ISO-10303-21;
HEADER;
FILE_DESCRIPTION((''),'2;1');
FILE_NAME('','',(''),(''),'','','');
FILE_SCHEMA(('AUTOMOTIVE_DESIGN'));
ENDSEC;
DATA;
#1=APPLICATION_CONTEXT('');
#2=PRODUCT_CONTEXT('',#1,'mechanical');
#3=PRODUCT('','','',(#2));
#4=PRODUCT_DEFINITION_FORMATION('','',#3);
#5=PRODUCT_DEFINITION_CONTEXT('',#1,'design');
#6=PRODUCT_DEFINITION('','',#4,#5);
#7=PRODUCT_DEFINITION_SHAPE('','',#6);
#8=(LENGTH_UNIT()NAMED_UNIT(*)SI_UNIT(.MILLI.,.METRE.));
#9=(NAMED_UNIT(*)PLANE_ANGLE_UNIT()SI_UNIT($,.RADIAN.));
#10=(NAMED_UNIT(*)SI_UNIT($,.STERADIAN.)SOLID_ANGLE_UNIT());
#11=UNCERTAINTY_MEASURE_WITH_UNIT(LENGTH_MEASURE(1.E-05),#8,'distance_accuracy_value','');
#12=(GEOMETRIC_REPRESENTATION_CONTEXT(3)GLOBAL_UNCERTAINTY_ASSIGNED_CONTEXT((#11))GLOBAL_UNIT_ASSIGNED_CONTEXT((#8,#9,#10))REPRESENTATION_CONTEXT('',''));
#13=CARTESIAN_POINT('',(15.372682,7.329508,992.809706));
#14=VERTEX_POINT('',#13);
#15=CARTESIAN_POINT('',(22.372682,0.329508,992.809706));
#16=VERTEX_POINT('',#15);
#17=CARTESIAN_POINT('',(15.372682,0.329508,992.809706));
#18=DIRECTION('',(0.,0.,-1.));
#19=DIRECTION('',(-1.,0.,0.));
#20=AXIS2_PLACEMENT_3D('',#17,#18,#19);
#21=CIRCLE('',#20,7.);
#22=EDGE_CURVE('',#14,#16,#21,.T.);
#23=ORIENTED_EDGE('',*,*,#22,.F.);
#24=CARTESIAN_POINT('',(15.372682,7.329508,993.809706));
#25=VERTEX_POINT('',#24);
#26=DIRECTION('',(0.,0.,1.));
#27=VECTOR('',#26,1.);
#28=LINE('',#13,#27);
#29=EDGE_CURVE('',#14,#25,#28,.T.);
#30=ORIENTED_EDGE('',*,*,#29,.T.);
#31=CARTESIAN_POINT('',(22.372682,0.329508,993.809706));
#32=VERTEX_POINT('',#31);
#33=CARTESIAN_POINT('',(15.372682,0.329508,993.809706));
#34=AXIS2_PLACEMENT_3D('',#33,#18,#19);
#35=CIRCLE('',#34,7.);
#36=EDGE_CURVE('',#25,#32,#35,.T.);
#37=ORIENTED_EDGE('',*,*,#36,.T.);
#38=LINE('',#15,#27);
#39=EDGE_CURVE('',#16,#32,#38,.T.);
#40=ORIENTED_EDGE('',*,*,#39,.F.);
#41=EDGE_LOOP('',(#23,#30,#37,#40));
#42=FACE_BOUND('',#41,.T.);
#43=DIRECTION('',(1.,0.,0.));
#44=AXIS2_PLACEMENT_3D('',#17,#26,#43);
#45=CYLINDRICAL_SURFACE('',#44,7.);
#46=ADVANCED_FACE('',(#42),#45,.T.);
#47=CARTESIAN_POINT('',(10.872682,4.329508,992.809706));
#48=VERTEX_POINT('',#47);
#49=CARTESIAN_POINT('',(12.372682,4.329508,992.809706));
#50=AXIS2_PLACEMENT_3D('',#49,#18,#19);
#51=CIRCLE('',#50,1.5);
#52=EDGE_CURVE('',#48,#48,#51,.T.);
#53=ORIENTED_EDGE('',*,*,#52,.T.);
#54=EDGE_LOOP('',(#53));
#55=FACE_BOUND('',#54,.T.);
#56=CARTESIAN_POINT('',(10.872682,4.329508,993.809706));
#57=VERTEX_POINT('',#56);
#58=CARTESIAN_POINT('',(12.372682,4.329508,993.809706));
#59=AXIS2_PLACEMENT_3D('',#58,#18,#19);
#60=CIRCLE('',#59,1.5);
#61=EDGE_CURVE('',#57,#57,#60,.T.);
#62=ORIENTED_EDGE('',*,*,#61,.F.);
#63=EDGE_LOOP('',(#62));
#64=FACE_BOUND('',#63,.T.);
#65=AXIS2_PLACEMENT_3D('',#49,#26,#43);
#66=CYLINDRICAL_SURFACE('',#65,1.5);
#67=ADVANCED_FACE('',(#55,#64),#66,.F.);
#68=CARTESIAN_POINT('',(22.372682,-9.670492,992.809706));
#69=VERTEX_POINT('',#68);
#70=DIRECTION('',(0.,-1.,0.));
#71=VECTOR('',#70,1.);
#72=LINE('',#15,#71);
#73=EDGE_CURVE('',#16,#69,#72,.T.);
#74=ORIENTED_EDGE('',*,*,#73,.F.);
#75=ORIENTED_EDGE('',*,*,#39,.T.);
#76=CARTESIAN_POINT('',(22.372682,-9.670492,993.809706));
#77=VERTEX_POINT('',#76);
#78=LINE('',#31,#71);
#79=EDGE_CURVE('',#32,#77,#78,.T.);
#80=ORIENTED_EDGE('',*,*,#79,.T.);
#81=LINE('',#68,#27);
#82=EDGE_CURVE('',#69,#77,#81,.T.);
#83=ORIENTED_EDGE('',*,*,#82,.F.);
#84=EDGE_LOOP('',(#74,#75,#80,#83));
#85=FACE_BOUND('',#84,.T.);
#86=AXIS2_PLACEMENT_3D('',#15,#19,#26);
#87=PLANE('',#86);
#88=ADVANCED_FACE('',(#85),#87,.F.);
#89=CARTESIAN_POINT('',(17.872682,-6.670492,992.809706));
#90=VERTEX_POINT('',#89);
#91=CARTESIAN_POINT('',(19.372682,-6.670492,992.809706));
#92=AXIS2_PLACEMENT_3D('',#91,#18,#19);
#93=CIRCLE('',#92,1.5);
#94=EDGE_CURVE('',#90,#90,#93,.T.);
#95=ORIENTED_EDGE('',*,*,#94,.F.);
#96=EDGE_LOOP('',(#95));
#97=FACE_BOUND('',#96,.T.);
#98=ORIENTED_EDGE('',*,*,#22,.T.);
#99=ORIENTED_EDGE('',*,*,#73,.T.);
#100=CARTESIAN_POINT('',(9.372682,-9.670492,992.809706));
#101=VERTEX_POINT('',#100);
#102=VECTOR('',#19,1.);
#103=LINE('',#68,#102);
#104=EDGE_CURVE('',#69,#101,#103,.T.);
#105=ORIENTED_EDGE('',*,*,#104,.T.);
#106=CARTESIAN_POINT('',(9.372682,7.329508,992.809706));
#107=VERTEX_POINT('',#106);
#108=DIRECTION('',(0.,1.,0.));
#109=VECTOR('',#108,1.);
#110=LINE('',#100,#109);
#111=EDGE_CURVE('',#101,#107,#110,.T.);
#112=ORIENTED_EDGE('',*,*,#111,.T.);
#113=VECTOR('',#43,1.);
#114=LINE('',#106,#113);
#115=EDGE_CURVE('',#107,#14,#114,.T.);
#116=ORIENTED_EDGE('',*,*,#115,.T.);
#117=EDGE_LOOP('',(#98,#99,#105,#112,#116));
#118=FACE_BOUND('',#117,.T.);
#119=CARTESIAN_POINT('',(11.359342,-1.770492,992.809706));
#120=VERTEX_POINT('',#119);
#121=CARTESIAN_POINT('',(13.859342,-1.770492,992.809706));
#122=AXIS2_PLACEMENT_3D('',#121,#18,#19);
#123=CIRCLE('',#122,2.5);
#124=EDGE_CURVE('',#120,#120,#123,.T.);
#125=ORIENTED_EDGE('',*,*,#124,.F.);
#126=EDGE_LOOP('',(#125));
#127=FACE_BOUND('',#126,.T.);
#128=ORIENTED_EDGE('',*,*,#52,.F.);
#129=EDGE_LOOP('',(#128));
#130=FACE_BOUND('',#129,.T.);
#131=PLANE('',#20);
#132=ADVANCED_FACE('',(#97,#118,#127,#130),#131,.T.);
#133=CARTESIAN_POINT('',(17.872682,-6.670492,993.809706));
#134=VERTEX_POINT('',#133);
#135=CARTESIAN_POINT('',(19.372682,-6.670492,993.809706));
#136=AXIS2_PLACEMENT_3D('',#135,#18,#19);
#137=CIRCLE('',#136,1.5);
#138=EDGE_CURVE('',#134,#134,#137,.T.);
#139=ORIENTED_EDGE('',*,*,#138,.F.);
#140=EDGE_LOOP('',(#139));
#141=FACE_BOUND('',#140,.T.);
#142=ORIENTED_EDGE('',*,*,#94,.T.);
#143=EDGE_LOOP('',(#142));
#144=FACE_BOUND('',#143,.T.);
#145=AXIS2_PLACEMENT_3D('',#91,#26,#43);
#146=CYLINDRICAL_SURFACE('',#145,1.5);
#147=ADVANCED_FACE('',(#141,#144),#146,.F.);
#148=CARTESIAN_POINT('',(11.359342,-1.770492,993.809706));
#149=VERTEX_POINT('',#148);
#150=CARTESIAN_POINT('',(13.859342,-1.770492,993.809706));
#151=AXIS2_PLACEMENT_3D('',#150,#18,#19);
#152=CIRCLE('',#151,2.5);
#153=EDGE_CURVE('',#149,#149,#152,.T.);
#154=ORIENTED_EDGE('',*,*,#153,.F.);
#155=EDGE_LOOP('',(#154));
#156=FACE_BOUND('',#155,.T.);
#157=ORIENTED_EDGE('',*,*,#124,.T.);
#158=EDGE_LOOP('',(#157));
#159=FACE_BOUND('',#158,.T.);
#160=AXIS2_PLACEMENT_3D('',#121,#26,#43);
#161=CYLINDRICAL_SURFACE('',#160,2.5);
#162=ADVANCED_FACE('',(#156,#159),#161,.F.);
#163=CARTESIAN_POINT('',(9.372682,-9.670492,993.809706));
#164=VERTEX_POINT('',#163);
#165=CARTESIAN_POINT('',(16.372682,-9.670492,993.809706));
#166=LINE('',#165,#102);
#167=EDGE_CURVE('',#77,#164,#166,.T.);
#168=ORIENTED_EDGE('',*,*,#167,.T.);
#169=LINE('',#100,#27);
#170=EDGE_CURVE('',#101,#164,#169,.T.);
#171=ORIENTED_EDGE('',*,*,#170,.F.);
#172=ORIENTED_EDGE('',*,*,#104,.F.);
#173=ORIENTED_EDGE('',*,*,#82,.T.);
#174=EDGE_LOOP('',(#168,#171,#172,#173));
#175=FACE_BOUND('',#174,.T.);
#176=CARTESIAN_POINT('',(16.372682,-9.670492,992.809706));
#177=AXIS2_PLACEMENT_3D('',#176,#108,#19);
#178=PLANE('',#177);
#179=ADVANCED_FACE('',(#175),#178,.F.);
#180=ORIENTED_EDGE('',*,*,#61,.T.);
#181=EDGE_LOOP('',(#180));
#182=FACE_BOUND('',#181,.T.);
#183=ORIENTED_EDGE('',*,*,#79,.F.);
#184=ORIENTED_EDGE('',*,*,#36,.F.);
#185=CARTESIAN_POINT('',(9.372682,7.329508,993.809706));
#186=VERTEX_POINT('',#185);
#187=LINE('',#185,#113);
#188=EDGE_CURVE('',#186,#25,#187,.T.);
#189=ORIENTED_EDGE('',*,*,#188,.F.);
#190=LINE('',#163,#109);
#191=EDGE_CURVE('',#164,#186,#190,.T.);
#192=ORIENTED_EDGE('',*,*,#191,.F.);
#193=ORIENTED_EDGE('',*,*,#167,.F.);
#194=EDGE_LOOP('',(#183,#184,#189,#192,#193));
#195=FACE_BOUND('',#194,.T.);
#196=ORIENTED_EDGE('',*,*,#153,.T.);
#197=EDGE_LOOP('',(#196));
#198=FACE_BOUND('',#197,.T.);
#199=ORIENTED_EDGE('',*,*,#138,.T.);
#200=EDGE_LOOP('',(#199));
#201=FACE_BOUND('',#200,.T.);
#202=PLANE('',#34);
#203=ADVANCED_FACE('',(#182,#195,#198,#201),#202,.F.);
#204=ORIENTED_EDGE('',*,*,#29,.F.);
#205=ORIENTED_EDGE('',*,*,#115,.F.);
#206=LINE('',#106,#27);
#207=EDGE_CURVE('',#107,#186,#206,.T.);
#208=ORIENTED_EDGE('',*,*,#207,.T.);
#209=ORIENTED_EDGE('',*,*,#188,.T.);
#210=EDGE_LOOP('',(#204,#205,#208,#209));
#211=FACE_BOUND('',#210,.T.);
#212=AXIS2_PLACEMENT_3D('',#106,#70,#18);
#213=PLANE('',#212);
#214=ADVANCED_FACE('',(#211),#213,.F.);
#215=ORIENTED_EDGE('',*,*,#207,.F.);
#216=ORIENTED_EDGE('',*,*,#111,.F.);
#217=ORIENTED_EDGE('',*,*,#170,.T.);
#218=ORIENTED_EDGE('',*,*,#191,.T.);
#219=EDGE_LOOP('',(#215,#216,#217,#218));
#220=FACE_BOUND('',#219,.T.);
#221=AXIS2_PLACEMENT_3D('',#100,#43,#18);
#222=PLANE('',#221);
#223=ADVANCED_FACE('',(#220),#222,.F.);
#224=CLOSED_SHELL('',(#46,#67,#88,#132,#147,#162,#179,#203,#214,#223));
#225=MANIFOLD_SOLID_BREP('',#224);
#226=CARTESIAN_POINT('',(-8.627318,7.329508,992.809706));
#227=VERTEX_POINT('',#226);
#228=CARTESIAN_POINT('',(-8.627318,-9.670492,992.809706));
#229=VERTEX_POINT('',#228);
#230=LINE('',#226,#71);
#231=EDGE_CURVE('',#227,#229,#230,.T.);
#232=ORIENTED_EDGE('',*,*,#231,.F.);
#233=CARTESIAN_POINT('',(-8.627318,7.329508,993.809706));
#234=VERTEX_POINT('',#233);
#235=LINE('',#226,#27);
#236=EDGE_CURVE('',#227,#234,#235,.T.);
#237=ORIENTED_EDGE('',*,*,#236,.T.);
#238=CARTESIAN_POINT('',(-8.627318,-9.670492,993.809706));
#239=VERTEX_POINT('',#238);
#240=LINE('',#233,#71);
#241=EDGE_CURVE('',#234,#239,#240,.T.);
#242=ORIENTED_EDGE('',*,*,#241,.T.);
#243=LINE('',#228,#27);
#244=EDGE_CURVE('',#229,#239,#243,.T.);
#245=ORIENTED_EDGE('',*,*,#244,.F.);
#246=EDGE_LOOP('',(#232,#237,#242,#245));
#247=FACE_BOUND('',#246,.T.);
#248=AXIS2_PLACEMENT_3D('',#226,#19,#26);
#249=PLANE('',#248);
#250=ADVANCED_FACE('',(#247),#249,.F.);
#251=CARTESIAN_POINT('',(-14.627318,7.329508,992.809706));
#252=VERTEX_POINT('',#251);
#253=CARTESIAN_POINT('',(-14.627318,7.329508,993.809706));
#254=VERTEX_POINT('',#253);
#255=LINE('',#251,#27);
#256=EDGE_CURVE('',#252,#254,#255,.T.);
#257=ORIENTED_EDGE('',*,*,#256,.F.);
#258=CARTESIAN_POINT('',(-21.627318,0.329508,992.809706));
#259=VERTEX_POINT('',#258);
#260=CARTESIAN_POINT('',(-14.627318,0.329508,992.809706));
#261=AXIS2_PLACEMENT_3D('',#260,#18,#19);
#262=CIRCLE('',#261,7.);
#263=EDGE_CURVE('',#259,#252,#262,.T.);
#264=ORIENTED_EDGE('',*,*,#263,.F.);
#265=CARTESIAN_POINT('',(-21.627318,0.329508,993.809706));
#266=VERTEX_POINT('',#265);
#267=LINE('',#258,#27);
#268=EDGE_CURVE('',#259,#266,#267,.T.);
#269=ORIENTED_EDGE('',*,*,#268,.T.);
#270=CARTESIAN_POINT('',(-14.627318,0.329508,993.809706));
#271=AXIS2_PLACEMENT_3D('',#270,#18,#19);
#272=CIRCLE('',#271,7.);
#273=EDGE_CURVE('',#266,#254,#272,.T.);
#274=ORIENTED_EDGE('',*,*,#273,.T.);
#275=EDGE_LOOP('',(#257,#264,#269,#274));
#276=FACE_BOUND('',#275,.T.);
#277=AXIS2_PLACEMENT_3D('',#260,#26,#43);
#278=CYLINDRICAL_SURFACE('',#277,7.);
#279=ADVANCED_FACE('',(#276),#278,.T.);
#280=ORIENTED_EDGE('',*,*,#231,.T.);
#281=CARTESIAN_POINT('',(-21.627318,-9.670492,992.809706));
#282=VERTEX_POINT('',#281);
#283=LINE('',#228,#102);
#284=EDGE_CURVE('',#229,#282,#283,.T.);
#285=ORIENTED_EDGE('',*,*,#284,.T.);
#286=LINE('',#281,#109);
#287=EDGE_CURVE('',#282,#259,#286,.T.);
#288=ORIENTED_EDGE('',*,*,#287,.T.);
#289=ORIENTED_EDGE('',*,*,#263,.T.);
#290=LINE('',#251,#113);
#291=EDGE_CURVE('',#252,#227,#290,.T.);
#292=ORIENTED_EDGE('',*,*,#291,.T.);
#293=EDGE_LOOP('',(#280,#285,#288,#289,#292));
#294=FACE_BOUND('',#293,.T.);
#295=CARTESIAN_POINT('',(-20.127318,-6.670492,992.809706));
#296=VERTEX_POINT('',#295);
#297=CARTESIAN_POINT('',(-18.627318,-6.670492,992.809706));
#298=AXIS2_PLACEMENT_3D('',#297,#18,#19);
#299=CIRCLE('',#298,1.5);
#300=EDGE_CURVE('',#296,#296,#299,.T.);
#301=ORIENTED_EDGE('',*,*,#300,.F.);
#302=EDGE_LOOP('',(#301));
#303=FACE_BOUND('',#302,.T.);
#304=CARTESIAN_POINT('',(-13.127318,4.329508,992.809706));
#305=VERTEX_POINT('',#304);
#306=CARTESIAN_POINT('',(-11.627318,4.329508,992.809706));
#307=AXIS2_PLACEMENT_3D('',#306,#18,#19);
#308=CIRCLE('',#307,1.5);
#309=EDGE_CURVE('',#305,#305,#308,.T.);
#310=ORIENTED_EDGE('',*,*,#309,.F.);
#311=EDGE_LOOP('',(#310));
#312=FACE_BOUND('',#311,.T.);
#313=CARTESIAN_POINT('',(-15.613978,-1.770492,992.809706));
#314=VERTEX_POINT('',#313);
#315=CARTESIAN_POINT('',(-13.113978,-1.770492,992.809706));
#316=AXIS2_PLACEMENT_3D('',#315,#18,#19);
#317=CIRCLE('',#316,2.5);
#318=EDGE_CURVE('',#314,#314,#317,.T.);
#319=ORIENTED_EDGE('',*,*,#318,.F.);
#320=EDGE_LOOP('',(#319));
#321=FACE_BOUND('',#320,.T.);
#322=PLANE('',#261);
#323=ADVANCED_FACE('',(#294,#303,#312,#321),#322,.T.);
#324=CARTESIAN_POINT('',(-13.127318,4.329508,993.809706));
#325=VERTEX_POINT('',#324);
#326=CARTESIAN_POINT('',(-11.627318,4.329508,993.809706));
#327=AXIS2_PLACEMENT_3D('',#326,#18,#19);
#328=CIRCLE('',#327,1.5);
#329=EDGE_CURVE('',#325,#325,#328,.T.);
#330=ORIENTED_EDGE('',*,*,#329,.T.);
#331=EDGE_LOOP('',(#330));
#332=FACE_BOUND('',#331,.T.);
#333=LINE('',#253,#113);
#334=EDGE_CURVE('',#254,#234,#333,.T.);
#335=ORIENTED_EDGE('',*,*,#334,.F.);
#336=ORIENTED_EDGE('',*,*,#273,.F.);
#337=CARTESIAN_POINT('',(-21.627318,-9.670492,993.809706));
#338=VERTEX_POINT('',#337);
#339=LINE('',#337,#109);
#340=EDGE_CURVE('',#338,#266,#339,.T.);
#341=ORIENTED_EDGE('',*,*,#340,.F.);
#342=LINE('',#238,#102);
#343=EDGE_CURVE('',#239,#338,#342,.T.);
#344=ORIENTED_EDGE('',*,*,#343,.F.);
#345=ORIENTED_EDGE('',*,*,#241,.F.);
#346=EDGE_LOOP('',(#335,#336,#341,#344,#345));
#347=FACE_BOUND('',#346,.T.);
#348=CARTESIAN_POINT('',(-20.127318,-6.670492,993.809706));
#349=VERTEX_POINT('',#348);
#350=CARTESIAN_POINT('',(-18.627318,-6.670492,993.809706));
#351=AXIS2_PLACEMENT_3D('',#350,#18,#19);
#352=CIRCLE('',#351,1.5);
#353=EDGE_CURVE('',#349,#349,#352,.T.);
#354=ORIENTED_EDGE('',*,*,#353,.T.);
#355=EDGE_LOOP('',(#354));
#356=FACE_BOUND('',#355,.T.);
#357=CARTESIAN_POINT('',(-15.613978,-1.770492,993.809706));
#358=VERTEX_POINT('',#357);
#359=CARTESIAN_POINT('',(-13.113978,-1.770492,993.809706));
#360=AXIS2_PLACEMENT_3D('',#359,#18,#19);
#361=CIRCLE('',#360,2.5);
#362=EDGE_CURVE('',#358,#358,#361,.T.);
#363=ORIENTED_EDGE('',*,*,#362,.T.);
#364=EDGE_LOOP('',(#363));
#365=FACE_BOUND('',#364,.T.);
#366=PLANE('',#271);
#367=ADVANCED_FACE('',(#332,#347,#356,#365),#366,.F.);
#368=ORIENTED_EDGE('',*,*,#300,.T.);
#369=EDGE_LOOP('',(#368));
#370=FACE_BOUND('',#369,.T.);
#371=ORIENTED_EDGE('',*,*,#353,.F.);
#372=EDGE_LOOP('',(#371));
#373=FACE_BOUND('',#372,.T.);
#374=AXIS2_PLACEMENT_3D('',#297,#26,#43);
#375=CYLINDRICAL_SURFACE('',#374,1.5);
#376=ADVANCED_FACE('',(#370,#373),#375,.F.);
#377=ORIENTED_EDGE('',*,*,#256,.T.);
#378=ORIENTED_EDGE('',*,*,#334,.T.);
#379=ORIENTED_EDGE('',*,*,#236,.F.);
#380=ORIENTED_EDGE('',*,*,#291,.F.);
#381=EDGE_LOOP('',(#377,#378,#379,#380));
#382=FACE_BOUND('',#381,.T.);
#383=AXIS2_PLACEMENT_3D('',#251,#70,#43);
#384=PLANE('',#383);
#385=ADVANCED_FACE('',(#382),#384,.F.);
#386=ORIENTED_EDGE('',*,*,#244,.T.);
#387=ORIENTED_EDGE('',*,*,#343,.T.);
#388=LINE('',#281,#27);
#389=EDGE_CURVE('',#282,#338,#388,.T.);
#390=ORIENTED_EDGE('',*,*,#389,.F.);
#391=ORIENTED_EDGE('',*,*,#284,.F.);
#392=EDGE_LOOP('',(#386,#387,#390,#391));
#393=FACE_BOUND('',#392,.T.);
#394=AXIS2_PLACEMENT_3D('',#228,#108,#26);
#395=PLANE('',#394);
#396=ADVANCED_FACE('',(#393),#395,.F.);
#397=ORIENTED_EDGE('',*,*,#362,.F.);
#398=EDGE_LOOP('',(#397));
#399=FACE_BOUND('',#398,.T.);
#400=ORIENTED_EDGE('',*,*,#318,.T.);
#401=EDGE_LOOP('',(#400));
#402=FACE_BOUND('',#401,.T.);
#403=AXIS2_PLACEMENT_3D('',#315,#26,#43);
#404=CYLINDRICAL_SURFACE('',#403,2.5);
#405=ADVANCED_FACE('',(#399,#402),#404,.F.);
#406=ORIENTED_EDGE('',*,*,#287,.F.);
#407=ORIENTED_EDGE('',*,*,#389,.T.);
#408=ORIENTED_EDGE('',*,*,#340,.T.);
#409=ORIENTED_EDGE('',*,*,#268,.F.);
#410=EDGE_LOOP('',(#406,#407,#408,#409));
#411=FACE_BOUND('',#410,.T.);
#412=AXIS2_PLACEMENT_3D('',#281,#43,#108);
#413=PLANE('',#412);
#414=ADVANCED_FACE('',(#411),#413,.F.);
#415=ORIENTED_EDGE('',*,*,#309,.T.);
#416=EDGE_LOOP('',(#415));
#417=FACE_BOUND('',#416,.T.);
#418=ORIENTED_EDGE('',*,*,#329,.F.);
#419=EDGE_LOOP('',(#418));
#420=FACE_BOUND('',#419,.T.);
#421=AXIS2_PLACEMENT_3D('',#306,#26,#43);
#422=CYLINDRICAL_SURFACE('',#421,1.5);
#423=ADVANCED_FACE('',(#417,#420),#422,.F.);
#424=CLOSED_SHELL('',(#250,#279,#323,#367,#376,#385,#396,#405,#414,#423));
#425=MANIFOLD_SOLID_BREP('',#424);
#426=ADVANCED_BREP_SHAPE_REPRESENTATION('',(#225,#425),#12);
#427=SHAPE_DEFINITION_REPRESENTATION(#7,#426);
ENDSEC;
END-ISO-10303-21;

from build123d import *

# Parameters (mm, degrees)
SKETCH_2_R        = 2.5
SKETCH_2_R_2      = 1.5
EXTRUDE_2_DEPTH   = 1
EXTRUDE_2_2_DEPTH = 1


with BuildPart() as part:
    # 草图2 → 凸台-拉伸2 (new body)
    with BuildSketch(Plane(origin=(0, 0, 993.809706351), x_dir=(-1, 0, 0), z_dir=(0, 0, -1))):
        with BuildLine():
            Line((-9.372681611, 7.329507903), (-15.372681611, 7.329507903))
            ThreePointArc((-15.372681611, 7.329507903), (-20.32242908, 5.279255371), (-22.372681611, 0.329507903))
            Line((-22.372681611, 0.329507903), (-22.372681611, -9.670492097))
            Line((-22.372681611, -9.670492097), (-16.372681611, -9.670492097))
            Line((-16.372681611, -9.670492097), (-9.372681611, -9.670492097))
            Line((-9.372681611, -9.670492097), (-9.372681611, 7.329507903))
        make_face()
        with Locations((-13.859341687, -1.770492097)):
            Circle(SKETCH_2_R, mode=Mode.SUBTRACT)
        with Locations((-12.372681611, 4.329507903)):
            Circle(SKETCH_2_R_2, mode=Mode.SUBTRACT)
        with Locations((-19.372681611, -6.670492097)):
            Circle(SKETCH_2_R_2, mode=Mode.SUBTRACT)
    extrude(amount=EXTRUDE_2_DEPTH)


with BuildPart() as body_2:
    # 草图2 → Extrude 2 2 (new body)
    with BuildSketch(Plane(origin=(0, 0, 993.809706351), x_dir=(-1, 0, 0), z_dir=(0, 0, -1))):
        with BuildLine():
            Line((8.627318389, 7.329507903), (8.627318389, -9.670492097))
            Line((8.627318389, -9.670492097), (21.627318389, -9.670492097))
            Line((21.627318389, -9.670492097), (21.627318389, 0.329507903))
            ThreePointArc((21.627318389, 0.329507903), (19.577065857, 5.279255371), (14.627318389, 7.329507903))
            Line((14.627318389, 7.329507903), (8.627318389, 7.329507903))
        make_face()
        with Locations((13.113978464, -1.770492097)):
            Circle(SKETCH_2_R, mode=Mode.SUBTRACT)
        with Locations((11.627318389, 4.329507903)):
            Circle(SKETCH_2_R_2, mode=Mode.SUBTRACT)
        with Locations((18.627318389, -6.670492097)):
            Circle(SKETCH_2_R_2, mode=Mode.SUBTRACT)
    extrude(amount=EXTRUDE_2_2_DEPTH)


solid = Compound([part.part, body_2.part])
